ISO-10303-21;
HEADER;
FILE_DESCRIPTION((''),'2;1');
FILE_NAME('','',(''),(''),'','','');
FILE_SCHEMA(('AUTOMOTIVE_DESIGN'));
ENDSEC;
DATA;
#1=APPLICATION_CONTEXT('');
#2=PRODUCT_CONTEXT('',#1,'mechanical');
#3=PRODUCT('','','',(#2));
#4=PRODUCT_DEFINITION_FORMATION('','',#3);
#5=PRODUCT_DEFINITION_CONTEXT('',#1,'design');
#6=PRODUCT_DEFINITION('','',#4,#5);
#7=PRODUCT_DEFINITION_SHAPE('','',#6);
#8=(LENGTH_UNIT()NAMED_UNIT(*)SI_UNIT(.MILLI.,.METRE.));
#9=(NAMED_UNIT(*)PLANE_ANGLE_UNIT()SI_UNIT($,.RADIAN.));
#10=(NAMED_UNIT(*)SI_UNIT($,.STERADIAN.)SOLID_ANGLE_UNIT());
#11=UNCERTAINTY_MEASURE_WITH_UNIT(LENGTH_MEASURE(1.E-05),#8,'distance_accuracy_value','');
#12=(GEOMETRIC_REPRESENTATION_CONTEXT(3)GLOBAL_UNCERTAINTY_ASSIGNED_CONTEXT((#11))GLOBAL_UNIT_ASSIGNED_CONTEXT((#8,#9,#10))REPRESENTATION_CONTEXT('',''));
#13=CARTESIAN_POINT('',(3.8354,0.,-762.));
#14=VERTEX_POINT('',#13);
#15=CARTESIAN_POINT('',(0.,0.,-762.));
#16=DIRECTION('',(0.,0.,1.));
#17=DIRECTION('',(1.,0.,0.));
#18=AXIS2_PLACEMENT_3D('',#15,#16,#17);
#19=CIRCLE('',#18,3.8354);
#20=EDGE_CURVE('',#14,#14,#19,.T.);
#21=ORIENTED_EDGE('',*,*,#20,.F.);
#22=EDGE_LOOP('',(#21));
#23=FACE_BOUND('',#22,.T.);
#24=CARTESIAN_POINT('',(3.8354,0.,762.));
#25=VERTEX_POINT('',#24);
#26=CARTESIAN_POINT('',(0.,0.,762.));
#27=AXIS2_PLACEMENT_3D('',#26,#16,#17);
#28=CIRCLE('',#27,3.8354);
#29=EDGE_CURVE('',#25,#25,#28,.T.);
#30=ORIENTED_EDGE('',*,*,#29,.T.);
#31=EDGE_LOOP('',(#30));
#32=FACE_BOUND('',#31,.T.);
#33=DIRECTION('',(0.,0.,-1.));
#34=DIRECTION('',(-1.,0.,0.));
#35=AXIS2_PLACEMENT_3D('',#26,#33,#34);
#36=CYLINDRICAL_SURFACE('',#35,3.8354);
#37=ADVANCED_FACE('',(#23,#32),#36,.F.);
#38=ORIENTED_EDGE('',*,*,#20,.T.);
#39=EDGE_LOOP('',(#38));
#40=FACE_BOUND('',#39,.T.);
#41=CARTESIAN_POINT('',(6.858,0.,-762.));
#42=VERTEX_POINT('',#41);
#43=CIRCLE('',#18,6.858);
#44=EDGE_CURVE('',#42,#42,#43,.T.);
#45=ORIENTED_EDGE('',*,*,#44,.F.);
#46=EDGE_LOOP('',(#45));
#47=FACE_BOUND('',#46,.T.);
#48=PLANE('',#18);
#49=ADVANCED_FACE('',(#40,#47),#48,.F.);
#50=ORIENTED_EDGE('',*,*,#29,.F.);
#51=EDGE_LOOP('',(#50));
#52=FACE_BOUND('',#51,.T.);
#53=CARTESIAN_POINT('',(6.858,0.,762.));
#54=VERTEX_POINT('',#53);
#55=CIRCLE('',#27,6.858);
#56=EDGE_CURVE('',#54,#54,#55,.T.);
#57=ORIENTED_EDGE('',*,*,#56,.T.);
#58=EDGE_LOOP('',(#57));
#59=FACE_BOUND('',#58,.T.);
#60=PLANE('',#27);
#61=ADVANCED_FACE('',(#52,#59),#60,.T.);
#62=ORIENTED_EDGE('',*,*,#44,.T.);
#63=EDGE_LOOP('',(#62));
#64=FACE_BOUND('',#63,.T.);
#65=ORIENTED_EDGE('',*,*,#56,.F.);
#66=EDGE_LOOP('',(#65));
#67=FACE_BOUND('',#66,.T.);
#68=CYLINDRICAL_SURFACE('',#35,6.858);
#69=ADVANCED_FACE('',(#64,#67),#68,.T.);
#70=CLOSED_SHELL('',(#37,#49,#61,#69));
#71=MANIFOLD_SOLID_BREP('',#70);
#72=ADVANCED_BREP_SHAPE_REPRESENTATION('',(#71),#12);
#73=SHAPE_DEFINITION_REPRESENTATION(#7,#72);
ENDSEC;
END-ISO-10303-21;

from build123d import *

# Parameters (mm, degrees)
SKETCH1_R           = 6.858
SKETCH1_R_2         = 3.8354
EXTRUDE_THIN1_DEPTH = 762


with BuildPart() as part:
    # Sketch1 → Extrude-Thin1 (new, symmetric)
    with BuildSketch(Plane.XY):
        Circle(SKETCH1_R)
        Circle(SKETCH1_R_2, mode=Mode.SUBTRACT)
    extrude(amount=EXTRUDE_THIN1_DEPTH, both=True)


solid = part.part
